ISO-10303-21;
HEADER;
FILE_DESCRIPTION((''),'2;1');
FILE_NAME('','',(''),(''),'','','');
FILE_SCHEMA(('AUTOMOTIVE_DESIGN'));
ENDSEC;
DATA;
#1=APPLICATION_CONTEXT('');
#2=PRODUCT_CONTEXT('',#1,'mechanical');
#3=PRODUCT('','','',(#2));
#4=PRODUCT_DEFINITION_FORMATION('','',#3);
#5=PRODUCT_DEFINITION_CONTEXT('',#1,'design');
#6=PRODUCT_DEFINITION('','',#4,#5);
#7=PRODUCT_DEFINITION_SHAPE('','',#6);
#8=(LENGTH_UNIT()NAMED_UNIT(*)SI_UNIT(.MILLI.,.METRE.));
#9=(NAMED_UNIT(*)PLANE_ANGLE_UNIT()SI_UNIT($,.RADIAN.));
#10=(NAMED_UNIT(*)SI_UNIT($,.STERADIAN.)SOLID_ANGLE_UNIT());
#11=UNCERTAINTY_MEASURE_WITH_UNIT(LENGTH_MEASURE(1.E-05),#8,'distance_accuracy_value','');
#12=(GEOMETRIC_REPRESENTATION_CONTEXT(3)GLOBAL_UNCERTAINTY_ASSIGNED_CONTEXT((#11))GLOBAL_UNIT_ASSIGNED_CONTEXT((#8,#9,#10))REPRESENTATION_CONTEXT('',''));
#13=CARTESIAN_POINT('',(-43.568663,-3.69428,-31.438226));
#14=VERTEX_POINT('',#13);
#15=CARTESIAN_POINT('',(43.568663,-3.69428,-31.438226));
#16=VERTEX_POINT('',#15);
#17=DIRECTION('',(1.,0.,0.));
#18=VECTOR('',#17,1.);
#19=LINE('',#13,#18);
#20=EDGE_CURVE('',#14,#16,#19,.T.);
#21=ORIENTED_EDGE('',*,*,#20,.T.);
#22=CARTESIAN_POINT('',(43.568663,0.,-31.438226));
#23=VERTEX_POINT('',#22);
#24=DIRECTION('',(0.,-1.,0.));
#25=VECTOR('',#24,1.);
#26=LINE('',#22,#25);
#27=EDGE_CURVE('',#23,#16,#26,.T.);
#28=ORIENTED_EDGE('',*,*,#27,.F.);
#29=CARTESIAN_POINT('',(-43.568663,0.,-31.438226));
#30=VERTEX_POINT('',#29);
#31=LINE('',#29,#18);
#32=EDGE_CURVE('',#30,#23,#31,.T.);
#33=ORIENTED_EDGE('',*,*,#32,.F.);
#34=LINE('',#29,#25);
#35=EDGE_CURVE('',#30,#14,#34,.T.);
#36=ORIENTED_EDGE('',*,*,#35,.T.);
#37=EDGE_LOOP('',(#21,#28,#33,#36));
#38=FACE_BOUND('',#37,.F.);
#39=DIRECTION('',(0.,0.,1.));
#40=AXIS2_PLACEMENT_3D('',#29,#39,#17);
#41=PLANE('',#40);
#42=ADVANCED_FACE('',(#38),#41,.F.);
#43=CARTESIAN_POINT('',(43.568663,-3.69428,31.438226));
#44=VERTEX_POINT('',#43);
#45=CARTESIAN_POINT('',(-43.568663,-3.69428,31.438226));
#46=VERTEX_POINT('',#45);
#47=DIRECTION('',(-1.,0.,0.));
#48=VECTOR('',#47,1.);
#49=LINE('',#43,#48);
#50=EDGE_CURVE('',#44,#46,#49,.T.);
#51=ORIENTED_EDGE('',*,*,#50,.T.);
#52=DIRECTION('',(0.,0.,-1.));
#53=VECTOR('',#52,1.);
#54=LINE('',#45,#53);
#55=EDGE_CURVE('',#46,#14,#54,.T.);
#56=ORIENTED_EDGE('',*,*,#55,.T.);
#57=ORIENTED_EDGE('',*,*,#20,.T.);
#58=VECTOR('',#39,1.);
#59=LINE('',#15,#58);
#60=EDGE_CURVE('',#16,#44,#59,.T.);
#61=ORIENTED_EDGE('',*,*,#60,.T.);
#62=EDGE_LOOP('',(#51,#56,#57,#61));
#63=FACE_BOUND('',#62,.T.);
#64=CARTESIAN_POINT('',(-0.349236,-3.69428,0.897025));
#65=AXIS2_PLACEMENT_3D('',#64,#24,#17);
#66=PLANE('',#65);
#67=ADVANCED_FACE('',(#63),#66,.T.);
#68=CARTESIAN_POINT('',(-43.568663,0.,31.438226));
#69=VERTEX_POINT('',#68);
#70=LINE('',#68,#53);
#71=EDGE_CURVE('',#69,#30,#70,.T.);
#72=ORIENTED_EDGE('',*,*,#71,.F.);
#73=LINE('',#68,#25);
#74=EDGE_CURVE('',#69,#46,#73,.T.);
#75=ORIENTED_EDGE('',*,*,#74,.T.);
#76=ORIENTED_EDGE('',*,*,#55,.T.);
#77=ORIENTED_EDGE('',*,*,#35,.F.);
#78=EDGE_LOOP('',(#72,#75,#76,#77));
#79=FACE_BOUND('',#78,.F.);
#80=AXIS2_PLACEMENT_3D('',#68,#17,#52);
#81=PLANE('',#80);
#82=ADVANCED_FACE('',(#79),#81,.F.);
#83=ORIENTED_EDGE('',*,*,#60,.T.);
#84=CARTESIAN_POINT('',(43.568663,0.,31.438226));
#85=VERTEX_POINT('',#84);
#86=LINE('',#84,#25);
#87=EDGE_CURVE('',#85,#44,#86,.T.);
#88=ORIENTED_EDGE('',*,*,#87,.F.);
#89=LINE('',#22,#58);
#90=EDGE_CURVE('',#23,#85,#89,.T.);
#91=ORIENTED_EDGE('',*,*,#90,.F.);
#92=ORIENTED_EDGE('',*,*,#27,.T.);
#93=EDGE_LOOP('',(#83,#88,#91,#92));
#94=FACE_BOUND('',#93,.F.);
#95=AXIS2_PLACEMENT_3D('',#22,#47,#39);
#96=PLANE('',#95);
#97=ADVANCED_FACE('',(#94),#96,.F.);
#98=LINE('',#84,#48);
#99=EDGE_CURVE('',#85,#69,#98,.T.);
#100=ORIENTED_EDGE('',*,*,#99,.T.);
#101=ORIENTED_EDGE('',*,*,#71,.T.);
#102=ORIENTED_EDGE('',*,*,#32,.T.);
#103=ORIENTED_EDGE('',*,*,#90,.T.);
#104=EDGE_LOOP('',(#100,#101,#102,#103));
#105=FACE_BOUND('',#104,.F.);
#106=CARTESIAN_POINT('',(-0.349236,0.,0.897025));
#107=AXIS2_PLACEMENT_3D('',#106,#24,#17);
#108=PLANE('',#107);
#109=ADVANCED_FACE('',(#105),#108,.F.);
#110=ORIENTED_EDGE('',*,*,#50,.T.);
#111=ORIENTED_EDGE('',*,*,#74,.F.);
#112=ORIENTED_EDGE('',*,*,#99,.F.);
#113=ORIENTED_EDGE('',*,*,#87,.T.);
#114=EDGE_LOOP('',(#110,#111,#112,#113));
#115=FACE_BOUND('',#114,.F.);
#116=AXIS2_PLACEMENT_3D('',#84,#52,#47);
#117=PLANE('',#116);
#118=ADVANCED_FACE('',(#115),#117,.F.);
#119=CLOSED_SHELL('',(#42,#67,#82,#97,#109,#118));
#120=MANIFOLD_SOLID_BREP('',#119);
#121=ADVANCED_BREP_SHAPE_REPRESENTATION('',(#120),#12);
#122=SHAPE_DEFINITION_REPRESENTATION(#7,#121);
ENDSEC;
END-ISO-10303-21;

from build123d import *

# Parameters (mm, degrees)
F0_W     = 41.193618881
F0_H     = 31.4382258803
F1_DEPTH = 3.69428


with BuildPart() as f1:
    # F0 (on Front) → F1 (new body)
    with BuildSketch(Plane.XZ):
        Polygon((18.7740228377, -31.4382258803), (43.5686627365, -31.4382258803), (43.5686627365, 31.4382258803), (-43.5686627365, 31.4382258803), (-43.5686627365, -31.4382258803), (-22.7860780433, -31.4382258803), (-22.7860780433, 0.183241), (18.7740228377, 0.183241), align=None)
        Polygon((18.5907818377, -31.4382258803), (18.7740228377, -31.4382258803), (18.7740228377, 0.183241), (-22.7860780433, 0.183241), (-22.7860780433, -31.4382258803), (-22.6028370433, -31.4382258803), (-22.6028370433, 0), (18.5907818377, 0), align=None)
        with Locations((-2.0060276028, -15.7191129401)):
            Rectangle(F0_W, F0_H)
    extrude(amount=F1_DEPTH)


solid = f1.part
